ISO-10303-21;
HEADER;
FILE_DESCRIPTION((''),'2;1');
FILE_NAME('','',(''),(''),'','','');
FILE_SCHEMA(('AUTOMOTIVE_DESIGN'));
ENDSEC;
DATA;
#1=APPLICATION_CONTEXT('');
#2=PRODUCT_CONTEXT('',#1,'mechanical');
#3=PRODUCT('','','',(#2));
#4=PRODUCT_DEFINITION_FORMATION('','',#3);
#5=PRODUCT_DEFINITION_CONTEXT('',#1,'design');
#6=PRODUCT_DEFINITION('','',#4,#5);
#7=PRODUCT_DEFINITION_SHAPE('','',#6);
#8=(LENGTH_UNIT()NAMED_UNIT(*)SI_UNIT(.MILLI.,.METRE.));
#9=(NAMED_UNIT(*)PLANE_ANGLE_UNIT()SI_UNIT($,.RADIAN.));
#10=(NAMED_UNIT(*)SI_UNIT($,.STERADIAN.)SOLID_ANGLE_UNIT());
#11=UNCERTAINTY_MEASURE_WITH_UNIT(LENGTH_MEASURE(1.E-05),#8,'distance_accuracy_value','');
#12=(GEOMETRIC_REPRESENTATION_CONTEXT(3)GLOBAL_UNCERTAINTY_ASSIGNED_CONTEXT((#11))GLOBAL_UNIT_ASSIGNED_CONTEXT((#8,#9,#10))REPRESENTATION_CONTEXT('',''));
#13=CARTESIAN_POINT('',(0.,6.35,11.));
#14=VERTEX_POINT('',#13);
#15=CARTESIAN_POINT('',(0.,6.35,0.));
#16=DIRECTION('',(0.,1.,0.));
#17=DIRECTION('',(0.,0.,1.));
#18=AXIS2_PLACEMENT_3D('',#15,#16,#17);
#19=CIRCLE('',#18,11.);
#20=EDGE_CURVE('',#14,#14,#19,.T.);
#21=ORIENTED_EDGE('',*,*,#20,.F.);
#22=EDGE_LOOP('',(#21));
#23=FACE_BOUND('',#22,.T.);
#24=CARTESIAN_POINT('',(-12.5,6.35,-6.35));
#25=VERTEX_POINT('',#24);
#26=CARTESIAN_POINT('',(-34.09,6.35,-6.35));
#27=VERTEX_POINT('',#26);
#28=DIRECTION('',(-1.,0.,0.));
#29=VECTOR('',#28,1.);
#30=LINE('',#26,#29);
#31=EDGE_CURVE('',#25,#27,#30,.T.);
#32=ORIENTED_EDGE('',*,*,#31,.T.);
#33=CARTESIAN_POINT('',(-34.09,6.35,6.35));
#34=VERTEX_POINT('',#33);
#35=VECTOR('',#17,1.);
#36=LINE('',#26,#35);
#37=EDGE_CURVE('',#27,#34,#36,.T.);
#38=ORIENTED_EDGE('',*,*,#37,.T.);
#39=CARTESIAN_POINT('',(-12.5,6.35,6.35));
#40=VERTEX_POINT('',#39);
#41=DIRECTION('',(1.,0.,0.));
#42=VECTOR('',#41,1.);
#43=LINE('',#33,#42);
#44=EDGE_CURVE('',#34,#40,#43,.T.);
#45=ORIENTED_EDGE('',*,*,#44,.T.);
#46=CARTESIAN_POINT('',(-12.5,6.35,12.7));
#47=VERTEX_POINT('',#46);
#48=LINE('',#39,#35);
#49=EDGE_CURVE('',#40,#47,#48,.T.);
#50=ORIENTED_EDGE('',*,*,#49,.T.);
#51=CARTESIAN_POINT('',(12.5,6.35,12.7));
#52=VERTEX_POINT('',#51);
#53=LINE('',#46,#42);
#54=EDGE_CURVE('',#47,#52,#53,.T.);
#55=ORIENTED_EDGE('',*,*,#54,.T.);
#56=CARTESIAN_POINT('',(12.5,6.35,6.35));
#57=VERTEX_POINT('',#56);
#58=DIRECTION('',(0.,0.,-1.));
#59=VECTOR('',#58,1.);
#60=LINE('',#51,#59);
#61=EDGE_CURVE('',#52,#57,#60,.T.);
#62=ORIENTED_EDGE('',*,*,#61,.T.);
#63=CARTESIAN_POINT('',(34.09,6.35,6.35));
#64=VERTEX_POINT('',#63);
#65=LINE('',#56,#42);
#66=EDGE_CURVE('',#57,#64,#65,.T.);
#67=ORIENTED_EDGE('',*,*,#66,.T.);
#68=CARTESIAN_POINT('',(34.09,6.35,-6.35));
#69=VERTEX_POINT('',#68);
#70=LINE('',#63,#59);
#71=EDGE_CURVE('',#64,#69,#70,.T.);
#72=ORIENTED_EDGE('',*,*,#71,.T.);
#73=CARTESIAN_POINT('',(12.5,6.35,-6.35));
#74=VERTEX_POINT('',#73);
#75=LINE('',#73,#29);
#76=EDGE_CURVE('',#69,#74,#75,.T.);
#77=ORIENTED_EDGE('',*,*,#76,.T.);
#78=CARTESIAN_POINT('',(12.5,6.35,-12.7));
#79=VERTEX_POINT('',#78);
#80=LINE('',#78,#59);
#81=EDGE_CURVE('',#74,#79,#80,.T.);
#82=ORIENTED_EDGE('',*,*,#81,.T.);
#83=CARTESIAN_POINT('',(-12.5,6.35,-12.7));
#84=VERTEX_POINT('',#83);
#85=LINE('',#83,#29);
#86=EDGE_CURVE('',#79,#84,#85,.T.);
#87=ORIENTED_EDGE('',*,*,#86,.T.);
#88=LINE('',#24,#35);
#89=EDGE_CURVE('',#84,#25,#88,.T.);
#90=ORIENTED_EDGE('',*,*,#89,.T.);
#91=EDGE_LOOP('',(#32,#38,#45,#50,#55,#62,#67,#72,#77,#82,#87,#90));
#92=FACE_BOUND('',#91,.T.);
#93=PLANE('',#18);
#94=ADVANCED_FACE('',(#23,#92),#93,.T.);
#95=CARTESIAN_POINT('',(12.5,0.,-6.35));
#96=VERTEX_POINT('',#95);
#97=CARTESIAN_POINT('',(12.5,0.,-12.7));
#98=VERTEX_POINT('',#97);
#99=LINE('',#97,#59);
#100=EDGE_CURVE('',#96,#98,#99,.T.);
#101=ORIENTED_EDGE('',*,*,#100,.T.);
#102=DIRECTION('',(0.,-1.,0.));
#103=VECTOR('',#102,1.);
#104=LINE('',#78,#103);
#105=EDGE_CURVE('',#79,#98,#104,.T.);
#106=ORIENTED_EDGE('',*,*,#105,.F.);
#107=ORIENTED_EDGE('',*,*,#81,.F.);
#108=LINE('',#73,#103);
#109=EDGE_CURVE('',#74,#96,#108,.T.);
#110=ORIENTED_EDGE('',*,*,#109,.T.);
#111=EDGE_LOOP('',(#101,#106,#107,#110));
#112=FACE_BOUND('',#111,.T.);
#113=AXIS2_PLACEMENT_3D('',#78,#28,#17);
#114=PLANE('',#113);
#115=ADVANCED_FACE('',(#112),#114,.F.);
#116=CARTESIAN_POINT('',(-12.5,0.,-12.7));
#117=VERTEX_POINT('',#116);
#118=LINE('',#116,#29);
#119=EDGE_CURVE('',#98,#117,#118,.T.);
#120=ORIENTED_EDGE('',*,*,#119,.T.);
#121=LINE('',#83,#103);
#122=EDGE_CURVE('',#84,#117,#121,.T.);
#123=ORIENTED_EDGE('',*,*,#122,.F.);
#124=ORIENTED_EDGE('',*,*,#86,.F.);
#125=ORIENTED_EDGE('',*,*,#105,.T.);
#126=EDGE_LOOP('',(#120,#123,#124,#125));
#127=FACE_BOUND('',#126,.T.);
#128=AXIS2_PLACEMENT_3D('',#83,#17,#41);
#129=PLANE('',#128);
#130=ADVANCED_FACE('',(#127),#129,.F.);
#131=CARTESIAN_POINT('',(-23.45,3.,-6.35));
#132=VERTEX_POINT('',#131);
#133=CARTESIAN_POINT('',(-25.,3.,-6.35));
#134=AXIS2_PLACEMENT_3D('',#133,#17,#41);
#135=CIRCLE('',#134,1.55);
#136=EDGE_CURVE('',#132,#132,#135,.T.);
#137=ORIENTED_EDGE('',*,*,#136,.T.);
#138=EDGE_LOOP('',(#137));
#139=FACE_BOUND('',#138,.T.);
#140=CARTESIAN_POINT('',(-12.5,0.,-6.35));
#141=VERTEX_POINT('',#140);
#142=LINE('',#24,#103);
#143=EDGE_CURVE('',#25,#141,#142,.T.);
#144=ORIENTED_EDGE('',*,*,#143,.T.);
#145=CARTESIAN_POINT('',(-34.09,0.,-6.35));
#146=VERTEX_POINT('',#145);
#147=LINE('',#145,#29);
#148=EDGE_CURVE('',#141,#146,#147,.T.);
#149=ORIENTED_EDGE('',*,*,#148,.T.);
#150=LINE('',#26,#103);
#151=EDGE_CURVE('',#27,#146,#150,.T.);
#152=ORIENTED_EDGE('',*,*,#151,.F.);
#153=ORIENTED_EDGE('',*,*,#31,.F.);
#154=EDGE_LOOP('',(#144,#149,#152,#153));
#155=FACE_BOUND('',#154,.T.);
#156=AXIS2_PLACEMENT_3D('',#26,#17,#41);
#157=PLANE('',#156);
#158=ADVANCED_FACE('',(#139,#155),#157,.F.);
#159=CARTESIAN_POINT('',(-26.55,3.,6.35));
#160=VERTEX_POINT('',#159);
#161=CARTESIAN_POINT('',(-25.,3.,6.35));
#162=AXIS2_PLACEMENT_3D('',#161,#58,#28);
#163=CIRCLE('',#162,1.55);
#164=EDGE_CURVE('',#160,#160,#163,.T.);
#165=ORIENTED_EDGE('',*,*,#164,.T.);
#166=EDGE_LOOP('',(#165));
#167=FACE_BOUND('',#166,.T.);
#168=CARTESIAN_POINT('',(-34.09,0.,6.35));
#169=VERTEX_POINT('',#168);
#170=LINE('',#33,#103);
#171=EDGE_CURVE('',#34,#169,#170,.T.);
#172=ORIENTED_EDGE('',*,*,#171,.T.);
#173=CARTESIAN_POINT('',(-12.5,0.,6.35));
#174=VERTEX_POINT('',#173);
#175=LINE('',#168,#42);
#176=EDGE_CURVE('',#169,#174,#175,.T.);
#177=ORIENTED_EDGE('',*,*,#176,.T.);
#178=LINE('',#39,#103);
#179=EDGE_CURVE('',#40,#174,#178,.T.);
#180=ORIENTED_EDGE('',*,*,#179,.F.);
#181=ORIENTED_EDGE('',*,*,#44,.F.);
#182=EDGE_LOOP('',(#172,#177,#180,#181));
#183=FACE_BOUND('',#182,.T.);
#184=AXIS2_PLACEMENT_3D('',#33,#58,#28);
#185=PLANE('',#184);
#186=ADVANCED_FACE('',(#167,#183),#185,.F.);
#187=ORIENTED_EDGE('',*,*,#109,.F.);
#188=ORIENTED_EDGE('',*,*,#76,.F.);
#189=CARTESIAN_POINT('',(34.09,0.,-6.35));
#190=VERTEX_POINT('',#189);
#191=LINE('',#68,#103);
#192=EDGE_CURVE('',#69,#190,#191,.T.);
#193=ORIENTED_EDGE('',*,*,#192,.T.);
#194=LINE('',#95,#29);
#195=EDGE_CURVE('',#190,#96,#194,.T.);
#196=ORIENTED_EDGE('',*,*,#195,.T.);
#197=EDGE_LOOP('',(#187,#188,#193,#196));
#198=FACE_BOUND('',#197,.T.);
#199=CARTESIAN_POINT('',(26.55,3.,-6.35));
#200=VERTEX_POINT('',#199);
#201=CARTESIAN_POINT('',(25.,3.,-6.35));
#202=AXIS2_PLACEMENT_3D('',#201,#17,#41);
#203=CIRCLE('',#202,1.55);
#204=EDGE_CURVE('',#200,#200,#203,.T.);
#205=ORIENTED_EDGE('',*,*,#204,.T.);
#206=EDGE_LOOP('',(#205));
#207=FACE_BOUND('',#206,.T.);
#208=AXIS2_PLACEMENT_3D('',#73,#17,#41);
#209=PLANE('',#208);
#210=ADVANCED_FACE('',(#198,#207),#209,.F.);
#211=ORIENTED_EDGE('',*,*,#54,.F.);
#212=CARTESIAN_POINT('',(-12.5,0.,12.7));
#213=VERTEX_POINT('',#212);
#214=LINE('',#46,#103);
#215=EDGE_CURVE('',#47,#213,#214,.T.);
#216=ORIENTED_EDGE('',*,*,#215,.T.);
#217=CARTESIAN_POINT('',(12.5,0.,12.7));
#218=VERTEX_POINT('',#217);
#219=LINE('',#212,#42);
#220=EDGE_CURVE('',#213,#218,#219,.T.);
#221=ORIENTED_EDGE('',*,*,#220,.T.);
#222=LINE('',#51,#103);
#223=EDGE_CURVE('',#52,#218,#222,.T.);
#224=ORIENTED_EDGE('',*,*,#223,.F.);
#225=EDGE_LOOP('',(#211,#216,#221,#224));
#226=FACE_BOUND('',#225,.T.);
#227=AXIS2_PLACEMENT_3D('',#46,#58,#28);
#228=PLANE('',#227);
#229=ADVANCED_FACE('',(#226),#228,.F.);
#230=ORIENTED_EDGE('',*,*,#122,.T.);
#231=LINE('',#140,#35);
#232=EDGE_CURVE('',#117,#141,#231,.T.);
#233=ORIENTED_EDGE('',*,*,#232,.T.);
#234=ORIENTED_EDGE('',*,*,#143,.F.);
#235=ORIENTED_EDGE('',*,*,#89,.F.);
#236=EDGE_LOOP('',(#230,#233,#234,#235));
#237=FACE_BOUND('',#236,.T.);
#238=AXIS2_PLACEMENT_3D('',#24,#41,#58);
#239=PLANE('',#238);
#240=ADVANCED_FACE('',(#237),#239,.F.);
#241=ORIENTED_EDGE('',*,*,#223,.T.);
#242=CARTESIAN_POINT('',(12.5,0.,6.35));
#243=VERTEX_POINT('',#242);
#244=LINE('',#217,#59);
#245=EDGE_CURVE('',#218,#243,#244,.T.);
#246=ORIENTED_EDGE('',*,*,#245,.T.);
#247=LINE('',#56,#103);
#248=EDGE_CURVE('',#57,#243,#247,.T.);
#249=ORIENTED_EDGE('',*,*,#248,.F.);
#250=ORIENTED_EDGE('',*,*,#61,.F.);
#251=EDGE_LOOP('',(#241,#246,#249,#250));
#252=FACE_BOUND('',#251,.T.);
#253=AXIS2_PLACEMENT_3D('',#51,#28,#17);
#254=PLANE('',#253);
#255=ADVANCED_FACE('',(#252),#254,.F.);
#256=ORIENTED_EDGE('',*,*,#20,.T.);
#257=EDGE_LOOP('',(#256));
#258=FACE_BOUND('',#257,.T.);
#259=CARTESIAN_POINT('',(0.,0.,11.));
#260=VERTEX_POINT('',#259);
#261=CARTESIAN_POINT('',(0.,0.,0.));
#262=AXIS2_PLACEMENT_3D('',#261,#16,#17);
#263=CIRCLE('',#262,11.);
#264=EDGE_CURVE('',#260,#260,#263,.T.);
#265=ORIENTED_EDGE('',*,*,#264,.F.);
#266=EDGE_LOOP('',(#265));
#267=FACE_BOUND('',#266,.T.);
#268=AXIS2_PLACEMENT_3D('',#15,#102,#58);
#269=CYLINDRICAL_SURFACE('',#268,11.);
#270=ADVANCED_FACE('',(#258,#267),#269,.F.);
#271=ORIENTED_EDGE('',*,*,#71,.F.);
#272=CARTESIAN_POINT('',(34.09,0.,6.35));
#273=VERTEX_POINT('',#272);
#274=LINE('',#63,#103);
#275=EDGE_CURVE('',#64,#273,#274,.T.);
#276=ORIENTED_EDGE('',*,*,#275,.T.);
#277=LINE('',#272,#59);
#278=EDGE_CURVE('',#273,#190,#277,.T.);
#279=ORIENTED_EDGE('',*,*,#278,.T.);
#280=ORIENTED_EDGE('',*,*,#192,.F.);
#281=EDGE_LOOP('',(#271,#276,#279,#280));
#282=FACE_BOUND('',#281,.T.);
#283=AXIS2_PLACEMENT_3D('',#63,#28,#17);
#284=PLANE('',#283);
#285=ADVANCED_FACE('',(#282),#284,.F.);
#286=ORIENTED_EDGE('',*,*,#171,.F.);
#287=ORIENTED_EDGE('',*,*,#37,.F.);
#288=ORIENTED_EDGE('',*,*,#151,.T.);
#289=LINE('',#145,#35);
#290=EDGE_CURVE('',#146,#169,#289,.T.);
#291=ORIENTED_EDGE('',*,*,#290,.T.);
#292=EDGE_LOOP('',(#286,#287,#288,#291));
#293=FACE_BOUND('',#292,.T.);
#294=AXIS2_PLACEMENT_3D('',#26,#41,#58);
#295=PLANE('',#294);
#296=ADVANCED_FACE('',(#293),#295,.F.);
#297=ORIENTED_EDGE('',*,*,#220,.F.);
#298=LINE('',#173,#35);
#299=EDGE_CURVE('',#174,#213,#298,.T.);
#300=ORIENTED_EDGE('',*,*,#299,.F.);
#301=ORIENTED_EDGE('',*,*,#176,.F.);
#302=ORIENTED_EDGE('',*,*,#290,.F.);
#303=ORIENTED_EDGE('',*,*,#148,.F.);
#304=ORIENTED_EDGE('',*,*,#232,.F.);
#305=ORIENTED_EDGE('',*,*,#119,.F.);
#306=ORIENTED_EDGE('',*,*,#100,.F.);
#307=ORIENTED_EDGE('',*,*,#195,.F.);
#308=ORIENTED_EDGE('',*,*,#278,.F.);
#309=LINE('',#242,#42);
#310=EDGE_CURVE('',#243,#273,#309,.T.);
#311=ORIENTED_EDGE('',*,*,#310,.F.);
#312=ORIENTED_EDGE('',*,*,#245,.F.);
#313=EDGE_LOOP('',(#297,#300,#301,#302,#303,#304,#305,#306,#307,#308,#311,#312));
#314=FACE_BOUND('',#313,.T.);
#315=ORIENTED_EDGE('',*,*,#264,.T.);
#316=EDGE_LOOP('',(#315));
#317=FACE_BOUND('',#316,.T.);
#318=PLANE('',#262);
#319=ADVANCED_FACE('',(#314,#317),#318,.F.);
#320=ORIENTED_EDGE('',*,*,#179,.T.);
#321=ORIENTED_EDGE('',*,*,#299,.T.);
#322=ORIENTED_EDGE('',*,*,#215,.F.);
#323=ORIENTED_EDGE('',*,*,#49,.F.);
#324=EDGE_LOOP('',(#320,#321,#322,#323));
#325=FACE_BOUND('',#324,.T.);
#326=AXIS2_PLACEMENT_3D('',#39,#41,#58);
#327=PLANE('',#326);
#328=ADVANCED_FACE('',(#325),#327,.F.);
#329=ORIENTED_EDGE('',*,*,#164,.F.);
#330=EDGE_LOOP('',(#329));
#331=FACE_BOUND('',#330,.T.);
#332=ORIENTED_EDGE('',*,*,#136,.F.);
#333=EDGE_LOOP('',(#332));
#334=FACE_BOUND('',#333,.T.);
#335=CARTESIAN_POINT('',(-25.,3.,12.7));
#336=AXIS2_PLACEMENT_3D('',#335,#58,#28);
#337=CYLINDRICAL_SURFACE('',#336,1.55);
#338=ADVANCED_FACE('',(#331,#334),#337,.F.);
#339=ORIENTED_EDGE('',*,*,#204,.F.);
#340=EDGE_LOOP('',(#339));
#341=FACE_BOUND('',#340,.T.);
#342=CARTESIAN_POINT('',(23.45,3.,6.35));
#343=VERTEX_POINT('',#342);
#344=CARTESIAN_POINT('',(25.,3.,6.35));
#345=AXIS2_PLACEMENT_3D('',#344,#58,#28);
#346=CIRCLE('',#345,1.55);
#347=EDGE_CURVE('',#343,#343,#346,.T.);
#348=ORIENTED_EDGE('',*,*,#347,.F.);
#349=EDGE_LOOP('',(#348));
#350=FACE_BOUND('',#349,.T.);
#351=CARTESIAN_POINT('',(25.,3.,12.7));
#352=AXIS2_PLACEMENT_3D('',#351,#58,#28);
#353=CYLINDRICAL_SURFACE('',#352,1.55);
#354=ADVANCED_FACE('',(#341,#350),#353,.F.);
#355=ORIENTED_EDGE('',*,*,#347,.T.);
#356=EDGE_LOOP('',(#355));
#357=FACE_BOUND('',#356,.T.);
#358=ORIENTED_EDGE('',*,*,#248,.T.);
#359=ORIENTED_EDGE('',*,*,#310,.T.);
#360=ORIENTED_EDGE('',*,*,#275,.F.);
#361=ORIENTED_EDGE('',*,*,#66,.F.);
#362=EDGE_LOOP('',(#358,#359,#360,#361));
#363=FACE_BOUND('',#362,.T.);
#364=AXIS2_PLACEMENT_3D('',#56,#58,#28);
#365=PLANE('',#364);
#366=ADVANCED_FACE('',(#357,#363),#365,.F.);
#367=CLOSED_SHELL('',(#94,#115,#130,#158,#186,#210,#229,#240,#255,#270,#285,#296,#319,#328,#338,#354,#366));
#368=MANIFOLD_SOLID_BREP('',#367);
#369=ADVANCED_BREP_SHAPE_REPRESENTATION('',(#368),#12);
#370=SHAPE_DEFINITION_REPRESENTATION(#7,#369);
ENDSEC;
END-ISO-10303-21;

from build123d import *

# Parameters (mm, degrees)
SKETCH1_R               = 11
BOSS_EXTRUDE1_DEPTH     = 6.35
CUT_EXTRUDE1_DEPTH      = 40.56454347
CUT_EXTRUDE1_DEPTH_BACK = 40.56454347
SKETCH2_R               = 1.55


with BuildPart() as part:
    # Sketch1 → Boss-Extrude1 (new body)
    with BuildSketch(Plane(origin=(0, 0, 0), x_dir=(1, 0, 0), z_dir=(0, 1, 0))):
        Polygon((-34.09, 6.35), (-12.5, 6.35), (-12.5, 12.7), (12.5, 12.7), (12.5, 6.35), (34.09, 6.35), (34.09, -6.35), (12.5, -6.35), (12.5, -12.7), (-12.5, -12.7), (-12.5, -6.35), (-34.09, -6.35), align=None)
        with Locations(Location((0, 0, 0), (0, 0, 270))):
            Circle(SKETCH1_R, mode=Mode.SUBTRACT)
    extrude(amount=BOSS_EXTRUDE1_DEPTH)

    # Sketch2 → Cut-Extrude1 (cut, two sides: drawn at the far end of the back side and taken through both)
    with BuildSketch(Plane(origin=(0, 0, -6.35), x_dir=(-1, 0, 0), z_dir=(0, 0, -1)).offset(-CUT_EXTRUDE1_DEPTH_BACK)):
        with Locations((25, 3)):
            Circle(SKETCH2_R)
        with Locations((-25, 3)):
            Circle(SKETCH2_R)
    extrude(amount=CUT_EXTRUDE1_DEPTH + CUT_EXTRUDE1_DEPTH_BACK, mode=Mode.SUBTRACT)


solid = part.part
